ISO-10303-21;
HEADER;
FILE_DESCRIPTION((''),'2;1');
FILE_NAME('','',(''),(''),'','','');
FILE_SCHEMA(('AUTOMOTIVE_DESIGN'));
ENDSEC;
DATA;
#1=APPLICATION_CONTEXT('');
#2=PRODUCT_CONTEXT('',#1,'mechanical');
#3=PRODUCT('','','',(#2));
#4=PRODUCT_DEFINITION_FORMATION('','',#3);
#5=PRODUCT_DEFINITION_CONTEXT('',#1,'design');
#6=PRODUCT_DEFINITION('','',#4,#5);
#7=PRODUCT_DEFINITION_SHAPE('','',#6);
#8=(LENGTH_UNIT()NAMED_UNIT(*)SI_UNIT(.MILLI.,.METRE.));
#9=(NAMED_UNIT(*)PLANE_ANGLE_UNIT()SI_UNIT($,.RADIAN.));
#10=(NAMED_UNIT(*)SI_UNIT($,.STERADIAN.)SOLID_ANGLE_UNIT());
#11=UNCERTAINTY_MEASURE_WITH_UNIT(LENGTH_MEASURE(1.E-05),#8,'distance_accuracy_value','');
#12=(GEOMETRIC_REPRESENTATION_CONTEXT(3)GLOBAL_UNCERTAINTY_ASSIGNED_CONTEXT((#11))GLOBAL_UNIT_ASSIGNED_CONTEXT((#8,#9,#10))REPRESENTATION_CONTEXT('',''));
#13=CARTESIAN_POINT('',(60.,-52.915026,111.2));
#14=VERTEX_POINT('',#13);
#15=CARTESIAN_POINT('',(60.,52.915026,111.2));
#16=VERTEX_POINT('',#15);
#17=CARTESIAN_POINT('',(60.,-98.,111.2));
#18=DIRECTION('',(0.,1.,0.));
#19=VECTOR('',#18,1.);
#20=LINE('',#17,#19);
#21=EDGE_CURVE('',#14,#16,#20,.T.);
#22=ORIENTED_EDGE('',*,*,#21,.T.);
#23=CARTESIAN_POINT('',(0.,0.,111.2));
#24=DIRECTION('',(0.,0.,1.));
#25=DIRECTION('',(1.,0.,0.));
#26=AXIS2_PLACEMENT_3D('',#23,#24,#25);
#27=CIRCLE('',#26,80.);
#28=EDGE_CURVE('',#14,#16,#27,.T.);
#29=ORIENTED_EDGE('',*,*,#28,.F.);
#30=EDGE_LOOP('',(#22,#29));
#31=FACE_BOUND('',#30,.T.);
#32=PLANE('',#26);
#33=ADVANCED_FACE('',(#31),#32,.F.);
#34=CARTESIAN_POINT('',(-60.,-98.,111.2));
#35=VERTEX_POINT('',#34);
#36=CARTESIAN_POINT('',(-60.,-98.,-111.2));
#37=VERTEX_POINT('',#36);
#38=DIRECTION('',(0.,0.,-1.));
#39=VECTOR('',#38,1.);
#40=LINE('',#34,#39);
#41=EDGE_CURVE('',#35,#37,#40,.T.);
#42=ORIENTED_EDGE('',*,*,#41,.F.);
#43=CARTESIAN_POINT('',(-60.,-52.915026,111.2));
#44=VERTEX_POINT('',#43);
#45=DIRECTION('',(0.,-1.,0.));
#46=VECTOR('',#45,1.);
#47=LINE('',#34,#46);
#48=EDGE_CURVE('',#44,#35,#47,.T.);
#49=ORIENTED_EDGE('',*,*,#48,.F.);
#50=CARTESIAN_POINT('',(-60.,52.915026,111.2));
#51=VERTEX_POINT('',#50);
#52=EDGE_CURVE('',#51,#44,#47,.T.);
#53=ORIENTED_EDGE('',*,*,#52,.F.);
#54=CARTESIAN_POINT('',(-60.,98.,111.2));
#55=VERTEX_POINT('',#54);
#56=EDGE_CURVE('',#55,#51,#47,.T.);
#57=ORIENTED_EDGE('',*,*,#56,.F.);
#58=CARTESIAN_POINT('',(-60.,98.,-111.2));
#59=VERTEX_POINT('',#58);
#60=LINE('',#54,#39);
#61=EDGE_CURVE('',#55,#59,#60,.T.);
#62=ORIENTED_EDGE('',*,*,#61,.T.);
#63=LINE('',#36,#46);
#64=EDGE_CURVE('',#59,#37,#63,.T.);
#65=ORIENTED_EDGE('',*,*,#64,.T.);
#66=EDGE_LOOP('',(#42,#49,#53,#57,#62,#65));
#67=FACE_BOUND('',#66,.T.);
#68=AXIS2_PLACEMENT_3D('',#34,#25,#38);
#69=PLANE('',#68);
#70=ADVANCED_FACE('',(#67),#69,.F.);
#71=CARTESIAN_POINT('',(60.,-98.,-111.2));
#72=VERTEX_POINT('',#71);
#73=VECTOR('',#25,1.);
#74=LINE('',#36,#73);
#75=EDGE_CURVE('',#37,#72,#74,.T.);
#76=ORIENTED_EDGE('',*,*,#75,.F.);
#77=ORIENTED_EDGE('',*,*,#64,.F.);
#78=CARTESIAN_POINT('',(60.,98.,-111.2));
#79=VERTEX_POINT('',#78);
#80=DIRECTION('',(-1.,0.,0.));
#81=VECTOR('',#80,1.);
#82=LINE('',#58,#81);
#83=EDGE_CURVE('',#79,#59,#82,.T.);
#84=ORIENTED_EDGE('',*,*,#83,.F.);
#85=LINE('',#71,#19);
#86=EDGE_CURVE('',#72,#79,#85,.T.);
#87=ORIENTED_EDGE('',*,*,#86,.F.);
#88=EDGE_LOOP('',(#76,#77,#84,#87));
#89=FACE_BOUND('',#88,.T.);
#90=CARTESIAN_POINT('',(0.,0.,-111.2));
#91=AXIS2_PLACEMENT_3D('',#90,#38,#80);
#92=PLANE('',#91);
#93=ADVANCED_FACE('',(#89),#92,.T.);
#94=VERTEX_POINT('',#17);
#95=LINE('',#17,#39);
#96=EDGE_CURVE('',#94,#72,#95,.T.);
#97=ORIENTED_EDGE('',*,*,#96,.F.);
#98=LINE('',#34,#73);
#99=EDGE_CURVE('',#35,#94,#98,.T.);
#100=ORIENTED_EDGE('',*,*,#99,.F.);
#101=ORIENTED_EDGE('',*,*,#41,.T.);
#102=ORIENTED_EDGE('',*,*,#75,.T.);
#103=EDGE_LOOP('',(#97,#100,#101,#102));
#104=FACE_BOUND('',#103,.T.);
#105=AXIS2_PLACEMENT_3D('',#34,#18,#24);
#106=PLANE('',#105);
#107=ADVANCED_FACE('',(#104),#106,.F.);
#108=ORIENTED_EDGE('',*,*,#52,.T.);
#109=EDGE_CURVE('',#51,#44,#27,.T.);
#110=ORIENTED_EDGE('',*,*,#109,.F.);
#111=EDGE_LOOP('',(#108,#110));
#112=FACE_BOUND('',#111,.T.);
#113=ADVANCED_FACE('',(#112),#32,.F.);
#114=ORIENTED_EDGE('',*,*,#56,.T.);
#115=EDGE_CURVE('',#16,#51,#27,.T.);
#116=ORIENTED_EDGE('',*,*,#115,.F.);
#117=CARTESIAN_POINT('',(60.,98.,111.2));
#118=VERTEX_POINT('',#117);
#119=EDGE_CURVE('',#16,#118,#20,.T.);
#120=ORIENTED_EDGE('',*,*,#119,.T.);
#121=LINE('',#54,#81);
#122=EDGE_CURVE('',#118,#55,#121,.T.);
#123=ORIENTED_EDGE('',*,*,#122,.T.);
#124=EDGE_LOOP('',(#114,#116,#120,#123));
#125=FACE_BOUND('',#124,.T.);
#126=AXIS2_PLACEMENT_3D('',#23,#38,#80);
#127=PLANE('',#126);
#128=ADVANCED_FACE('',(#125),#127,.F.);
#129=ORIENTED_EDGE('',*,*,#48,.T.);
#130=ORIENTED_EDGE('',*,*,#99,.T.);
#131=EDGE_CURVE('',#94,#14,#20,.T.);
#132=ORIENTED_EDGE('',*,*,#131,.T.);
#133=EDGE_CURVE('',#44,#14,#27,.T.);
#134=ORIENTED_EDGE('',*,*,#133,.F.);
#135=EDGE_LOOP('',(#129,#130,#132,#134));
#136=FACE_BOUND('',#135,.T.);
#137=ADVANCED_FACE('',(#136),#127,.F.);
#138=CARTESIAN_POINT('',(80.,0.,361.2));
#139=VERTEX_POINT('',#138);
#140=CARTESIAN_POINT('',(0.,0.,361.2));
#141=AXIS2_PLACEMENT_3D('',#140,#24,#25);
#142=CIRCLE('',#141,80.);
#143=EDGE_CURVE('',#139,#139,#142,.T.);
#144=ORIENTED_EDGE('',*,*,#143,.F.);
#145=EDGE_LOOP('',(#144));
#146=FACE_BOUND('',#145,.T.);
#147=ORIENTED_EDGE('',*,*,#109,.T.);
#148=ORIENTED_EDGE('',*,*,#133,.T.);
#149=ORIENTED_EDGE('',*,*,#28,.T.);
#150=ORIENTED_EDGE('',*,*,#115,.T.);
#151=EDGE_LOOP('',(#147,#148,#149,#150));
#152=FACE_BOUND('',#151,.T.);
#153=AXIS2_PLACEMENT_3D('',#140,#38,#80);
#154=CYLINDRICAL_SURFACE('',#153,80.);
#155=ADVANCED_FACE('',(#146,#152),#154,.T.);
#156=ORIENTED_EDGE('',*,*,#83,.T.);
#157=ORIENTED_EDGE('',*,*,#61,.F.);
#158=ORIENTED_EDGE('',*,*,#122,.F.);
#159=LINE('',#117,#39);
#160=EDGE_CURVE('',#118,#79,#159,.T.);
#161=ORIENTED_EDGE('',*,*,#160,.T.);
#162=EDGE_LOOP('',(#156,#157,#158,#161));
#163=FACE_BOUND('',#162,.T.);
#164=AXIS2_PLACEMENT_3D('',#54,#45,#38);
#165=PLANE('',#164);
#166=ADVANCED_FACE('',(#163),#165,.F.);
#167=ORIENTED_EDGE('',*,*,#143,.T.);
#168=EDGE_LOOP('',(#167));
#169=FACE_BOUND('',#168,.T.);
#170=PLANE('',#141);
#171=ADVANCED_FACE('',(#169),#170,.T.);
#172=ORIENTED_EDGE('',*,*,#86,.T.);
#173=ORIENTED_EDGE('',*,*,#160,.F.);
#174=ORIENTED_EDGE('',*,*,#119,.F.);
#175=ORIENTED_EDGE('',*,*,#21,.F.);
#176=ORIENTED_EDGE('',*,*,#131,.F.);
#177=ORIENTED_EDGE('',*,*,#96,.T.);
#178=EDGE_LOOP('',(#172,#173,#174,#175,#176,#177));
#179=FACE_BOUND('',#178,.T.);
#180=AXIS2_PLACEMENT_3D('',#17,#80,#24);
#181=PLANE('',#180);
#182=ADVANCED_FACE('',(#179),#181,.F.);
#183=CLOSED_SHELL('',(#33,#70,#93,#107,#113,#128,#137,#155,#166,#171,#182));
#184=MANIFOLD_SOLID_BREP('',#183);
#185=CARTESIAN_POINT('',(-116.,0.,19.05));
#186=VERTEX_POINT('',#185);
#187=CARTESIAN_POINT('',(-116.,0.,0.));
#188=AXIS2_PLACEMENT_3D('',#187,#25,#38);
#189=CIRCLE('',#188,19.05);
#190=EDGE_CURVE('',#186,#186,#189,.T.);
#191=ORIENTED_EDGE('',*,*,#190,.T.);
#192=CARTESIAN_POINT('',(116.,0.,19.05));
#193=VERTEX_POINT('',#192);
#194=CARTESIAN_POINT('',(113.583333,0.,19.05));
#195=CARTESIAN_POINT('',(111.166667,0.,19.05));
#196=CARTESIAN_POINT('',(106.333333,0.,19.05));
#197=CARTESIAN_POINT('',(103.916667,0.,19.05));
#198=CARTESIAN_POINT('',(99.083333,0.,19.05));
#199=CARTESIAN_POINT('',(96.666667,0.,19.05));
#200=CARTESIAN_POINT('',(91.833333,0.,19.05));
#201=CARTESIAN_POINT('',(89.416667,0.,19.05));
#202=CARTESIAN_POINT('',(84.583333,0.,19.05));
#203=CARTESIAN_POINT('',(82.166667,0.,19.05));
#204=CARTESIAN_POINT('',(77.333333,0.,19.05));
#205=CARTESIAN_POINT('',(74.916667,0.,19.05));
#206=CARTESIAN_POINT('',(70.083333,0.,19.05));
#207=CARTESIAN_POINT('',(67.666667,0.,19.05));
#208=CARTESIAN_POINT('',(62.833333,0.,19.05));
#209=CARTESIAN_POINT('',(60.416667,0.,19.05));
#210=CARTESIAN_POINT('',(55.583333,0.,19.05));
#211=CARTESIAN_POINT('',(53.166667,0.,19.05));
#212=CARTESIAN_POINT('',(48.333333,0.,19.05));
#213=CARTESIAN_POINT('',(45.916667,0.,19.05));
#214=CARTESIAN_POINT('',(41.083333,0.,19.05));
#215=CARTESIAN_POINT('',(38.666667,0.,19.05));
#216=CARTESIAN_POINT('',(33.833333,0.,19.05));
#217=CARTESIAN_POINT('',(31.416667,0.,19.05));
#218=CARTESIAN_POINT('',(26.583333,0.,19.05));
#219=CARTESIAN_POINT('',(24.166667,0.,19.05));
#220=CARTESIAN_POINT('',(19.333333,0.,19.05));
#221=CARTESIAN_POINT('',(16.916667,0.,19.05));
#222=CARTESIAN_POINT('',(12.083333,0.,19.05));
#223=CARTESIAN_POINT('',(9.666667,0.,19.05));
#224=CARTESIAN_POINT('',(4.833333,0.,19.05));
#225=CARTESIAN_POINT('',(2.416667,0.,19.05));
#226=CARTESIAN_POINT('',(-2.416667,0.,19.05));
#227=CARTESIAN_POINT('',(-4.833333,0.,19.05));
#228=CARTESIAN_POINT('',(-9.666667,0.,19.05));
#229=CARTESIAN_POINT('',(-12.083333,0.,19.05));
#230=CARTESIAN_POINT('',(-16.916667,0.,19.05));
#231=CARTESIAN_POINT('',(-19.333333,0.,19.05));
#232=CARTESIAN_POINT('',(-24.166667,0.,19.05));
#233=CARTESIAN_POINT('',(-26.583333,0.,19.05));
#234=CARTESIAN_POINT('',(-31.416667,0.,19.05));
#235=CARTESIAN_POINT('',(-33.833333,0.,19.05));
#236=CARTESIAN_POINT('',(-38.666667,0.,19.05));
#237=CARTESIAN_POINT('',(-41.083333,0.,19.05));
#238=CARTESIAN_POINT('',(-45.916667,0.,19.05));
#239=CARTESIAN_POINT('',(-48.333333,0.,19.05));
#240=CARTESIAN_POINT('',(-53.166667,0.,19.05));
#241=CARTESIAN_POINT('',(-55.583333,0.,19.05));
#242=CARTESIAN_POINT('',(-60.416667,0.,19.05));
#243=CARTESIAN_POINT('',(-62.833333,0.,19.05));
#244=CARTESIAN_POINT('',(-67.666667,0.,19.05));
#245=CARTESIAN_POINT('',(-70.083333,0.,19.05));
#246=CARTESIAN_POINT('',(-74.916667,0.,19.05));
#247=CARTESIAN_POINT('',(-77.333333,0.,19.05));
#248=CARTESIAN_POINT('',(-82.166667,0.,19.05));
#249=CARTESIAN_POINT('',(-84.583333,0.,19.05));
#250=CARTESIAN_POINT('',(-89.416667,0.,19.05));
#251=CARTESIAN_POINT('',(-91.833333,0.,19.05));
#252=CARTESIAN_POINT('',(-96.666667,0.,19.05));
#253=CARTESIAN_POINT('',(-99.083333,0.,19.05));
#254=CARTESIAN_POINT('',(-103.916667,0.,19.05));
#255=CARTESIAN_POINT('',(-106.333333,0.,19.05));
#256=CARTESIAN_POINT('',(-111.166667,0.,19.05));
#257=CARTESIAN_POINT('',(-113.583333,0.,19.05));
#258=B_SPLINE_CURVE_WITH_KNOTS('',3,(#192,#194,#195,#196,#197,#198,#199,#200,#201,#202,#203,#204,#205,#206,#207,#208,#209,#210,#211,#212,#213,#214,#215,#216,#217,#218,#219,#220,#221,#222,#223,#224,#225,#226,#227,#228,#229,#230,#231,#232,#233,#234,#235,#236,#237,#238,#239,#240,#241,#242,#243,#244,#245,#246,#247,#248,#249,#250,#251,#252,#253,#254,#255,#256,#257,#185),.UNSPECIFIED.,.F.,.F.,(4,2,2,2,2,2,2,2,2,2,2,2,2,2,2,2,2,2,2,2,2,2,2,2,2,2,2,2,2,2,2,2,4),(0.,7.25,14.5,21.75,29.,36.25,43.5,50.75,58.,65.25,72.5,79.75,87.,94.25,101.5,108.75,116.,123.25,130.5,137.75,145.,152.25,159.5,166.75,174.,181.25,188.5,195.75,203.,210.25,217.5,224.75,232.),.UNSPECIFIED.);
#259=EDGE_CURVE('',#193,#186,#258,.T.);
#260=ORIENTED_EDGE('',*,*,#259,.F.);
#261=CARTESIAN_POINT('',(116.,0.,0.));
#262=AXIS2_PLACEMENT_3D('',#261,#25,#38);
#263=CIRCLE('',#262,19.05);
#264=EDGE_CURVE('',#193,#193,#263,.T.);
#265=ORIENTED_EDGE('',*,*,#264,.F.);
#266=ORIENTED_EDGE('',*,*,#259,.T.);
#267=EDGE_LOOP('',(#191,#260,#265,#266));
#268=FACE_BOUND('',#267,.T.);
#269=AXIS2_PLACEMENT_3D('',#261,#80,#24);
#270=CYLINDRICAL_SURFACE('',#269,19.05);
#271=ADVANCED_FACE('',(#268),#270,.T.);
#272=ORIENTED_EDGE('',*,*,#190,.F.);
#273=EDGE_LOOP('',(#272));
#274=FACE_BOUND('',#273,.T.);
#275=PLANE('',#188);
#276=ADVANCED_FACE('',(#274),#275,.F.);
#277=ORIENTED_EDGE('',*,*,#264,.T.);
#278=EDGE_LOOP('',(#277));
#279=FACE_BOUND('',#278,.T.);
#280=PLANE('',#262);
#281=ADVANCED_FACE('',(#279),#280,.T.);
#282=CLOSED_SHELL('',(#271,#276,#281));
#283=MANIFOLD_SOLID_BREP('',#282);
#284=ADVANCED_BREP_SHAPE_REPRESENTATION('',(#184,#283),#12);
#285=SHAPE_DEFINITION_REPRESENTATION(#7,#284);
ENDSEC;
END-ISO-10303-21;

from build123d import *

# Parameters (mm, degrees)
CROQUIS1_W              = 120
CROQUIS1_H              = 196
SALIENTE_EXTRUIR1_DEPTH = 111.2
CROQUIS2_R              = 19.05
SALIENTE_EXTRUIR2_DEPTH = 116
CROQUIS3_R              = 80
SALIENTE_EXTRUIR3_DEPTH = 250


with BuildPart() as part:
    # Croquis1 → Saliente-Extruir1 (new, symmetric)
    with BuildSketch(Plane.XY):
        Rectangle(CROQUIS1_W, CROQUIS1_H)
    extrude(amount=SALIENTE_EXTRUIR1_DEPTH, both=True)

    # Croquis3 → Saliente-Extruir3 (add)
    with BuildSketch(Plane.XY.offset(111.2)):
        with Locations(Location((0, 0, 0), (0, 0, 138.590377891))):
            Circle(CROQUIS3_R)
    extrude(amount=SALIENTE_EXTRUIR3_DEPTH)


with BuildPart() as body_2:
    # Croquis2 → Saliente-Extruir2 (new, symmetric)
    with BuildSketch(Plane(origin=(0, 0, 0), x_dir=(0, 0, -1), z_dir=(1, 0, 0))):
        with Locations(Location((0, 0, 0), (0, 0, 180))):
            Circle(CROQUIS2_R)
    extrude(amount=SALIENTE_EXTRUIR2_DEPTH, both=True)


solid = Compound([part.part, body_2.part])
